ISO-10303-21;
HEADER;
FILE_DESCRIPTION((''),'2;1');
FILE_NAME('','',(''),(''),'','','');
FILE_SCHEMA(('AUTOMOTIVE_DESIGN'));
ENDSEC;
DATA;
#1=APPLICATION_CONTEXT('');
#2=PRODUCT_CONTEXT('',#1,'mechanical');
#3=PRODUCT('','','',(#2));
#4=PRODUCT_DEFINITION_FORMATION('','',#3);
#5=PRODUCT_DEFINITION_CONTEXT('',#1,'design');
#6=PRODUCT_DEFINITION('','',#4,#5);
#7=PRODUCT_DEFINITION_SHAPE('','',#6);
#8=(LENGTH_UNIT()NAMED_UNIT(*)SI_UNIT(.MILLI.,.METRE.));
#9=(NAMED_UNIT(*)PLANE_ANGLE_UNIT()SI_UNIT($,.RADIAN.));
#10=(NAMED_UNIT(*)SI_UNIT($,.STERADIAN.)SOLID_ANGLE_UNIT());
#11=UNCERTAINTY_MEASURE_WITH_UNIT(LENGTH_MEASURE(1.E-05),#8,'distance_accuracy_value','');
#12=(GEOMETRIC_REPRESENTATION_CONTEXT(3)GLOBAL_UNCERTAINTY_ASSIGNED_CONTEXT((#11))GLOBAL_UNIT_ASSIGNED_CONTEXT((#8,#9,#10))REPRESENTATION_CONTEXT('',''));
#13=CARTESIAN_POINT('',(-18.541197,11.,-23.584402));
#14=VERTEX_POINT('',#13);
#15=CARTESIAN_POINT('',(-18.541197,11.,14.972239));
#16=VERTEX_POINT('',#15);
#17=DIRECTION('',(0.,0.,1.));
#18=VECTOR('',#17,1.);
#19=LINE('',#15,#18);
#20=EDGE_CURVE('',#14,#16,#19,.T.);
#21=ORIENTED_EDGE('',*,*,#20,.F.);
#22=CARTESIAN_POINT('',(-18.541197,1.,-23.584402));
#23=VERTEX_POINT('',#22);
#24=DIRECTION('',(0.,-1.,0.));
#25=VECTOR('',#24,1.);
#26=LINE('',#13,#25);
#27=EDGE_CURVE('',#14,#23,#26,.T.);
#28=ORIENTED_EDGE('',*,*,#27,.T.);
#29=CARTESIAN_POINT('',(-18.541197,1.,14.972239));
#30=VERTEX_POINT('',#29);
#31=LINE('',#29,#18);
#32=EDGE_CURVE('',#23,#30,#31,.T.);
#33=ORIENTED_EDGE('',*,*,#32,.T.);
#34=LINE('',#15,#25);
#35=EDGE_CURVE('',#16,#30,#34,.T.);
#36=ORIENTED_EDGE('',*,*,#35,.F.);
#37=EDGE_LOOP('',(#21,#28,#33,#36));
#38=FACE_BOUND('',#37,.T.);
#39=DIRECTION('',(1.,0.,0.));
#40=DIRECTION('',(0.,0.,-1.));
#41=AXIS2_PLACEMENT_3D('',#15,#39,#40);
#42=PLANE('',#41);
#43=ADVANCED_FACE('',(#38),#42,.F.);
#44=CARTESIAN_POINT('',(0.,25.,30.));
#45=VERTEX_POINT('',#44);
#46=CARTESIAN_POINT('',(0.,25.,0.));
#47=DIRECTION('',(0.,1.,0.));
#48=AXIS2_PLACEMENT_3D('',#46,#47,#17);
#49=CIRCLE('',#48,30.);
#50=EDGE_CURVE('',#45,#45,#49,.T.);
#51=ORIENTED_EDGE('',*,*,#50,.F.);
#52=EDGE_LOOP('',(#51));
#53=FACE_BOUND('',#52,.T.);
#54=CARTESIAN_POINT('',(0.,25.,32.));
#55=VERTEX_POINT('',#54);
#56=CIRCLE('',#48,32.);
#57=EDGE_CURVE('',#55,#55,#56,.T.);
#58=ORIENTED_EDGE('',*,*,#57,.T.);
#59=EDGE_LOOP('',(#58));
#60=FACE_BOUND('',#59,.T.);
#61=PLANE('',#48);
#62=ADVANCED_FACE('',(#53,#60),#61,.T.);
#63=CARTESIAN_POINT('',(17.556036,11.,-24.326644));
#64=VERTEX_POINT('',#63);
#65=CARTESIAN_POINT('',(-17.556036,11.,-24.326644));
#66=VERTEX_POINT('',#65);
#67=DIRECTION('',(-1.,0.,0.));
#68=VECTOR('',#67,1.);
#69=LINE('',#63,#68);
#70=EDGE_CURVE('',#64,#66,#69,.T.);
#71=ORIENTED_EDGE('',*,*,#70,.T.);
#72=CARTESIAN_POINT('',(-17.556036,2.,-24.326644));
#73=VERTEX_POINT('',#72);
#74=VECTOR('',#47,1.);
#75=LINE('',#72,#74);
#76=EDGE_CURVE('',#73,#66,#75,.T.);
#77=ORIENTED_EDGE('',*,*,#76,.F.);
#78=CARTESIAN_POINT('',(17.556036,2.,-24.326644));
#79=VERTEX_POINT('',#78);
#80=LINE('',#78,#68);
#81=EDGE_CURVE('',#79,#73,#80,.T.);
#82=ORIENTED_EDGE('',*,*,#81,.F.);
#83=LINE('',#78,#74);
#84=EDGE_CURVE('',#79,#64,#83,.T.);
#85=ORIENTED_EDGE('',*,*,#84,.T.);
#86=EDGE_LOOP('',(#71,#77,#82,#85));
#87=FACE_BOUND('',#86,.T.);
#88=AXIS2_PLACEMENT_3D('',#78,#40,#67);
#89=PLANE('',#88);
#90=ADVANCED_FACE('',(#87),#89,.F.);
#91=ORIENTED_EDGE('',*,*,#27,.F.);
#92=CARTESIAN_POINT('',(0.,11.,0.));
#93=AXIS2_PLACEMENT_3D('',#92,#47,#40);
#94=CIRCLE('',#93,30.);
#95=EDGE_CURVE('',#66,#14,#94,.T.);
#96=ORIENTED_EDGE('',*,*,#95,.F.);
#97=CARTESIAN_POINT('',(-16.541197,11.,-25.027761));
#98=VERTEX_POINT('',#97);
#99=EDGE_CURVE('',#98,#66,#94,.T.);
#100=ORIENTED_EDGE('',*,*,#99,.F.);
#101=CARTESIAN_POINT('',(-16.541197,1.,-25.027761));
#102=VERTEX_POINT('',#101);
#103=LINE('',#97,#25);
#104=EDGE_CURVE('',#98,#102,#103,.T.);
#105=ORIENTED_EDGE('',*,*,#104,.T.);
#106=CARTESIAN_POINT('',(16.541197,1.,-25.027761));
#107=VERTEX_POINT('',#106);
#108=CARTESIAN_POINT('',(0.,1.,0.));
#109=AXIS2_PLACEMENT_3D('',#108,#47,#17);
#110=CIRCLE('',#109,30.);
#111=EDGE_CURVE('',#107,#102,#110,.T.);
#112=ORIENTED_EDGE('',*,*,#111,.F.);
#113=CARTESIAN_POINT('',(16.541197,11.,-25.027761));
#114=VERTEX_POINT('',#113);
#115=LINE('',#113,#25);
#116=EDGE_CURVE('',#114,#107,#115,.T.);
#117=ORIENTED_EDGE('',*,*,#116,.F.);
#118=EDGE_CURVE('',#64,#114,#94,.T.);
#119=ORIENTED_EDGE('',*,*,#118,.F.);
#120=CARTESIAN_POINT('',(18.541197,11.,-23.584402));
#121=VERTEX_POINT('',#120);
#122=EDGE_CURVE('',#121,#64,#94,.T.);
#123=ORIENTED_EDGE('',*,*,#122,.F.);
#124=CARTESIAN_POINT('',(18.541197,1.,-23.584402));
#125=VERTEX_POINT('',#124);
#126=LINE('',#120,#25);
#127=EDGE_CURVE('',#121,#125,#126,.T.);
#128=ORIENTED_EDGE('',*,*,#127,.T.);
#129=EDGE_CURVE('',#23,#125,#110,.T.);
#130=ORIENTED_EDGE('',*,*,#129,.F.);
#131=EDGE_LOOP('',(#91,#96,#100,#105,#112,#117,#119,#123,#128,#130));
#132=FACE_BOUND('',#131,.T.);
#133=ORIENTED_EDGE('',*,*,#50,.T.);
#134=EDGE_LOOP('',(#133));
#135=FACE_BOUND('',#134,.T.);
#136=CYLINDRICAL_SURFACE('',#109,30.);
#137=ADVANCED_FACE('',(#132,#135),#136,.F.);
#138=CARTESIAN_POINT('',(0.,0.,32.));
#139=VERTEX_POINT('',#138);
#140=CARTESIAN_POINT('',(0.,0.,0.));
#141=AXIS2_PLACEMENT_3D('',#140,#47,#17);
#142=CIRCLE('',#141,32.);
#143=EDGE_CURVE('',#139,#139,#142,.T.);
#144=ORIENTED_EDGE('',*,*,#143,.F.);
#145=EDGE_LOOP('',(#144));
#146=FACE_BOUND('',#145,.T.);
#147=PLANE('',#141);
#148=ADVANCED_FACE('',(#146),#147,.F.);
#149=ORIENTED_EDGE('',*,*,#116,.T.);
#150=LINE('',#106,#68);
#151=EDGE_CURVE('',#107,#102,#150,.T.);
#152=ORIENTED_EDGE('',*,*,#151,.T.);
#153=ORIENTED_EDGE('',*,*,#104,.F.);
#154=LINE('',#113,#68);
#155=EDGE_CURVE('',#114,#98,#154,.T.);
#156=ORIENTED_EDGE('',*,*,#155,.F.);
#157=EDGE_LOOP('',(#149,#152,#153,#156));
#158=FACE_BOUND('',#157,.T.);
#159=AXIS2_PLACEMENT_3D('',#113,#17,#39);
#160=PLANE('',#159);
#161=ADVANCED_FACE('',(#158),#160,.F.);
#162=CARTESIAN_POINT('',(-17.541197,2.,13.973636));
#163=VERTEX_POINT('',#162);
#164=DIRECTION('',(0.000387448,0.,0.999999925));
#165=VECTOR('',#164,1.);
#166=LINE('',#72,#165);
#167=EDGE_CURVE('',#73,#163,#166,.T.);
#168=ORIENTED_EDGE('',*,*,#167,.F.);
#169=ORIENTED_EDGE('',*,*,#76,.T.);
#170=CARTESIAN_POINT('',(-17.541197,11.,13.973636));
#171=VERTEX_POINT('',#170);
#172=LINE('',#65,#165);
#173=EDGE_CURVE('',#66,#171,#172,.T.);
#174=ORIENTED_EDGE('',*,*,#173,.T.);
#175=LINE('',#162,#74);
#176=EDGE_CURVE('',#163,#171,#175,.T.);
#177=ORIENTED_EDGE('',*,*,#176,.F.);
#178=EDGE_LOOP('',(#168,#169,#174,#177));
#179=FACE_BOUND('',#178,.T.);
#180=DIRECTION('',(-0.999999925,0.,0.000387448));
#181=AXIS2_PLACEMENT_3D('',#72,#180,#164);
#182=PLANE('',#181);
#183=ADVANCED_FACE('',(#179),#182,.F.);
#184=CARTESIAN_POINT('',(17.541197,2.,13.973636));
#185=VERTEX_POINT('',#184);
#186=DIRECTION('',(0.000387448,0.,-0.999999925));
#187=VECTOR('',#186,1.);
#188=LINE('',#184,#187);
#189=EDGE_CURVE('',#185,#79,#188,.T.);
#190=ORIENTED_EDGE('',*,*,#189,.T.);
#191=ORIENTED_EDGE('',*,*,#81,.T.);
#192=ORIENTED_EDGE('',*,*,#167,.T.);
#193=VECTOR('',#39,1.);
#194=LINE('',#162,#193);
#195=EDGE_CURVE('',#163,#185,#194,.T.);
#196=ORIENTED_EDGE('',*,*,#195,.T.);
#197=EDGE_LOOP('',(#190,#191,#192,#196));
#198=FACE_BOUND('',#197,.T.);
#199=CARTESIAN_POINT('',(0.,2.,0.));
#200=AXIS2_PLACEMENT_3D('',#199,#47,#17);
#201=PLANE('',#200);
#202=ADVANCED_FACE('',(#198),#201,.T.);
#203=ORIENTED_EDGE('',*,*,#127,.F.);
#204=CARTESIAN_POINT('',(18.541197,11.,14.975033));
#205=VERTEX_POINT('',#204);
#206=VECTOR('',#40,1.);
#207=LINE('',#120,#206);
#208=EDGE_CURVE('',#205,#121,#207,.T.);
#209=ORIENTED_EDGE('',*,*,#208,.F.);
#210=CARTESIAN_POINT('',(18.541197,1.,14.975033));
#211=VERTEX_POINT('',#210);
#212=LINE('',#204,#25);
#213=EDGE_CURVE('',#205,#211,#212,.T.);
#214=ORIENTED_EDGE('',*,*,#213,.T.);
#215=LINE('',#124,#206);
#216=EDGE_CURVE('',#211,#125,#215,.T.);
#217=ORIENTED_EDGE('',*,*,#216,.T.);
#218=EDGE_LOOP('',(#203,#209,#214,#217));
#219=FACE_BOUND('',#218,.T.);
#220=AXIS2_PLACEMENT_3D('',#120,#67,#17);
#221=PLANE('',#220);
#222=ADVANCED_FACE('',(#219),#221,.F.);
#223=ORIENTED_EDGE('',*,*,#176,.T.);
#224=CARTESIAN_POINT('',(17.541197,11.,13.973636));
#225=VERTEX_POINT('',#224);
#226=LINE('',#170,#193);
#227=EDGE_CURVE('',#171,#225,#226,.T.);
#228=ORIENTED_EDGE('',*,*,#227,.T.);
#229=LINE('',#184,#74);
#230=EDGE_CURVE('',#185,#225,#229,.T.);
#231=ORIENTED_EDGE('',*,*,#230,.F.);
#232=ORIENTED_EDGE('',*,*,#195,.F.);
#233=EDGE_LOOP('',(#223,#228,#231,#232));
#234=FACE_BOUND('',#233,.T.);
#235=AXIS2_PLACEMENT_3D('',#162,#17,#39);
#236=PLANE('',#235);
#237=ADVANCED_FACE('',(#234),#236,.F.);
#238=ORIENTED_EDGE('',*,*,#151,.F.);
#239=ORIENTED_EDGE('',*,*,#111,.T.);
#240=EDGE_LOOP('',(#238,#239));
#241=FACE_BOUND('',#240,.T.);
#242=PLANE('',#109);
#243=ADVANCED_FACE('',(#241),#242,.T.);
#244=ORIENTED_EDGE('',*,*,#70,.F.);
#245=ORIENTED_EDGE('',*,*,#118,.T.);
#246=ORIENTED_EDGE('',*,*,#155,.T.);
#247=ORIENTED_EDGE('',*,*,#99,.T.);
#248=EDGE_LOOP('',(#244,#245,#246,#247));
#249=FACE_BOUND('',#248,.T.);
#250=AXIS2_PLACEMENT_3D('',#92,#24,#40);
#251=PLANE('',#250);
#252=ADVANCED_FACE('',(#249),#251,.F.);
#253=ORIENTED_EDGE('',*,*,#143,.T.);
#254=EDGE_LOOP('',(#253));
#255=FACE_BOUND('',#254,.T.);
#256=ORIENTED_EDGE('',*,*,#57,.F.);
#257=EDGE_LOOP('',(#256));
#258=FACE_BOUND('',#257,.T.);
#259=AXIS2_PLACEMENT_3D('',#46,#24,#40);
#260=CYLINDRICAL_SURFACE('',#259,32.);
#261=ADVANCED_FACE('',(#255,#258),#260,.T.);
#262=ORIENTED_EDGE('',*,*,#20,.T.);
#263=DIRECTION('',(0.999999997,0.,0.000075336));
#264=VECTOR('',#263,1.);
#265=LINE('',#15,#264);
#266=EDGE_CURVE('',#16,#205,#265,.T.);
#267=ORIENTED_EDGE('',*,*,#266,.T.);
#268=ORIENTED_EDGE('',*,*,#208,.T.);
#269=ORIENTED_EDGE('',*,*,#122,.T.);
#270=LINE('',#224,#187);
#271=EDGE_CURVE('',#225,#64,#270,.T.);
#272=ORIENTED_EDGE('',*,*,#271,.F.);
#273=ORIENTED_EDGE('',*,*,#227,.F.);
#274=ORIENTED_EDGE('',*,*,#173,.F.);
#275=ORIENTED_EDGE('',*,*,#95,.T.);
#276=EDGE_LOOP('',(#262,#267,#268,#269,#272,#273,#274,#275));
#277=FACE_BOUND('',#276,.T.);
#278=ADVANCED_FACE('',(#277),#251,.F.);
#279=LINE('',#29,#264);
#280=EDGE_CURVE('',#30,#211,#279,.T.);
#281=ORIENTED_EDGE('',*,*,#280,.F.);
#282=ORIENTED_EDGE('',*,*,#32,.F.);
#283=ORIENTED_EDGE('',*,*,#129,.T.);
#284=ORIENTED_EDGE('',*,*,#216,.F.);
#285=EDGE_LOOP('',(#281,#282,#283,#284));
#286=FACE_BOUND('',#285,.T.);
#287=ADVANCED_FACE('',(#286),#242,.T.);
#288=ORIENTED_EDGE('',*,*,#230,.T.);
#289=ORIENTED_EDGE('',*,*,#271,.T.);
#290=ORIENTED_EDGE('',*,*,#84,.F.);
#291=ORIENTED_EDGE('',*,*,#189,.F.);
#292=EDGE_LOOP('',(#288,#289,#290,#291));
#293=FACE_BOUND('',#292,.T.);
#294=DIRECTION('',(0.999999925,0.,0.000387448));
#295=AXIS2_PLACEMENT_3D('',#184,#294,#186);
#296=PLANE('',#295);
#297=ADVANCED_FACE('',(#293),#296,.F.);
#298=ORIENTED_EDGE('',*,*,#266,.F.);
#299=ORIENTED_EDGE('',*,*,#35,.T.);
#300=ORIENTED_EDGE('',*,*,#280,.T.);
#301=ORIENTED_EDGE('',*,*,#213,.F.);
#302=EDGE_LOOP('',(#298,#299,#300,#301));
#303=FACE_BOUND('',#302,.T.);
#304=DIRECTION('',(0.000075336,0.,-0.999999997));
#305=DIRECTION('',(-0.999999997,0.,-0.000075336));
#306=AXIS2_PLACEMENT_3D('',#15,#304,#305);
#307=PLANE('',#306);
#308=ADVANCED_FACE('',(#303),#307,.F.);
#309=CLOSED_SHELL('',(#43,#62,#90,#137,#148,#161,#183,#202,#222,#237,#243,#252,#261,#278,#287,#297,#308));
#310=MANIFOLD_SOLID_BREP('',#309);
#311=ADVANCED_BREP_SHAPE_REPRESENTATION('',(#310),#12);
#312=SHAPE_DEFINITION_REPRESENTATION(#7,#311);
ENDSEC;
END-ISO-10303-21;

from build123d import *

# Parameters (mm, degrees)
SKETCH2_R           = 32
BOSS_EXTRUDE1_DEPTH = 25
SKETCH3_R           = 30
CUT_EXTRUDE1_DEPTH  = 24
BOSS_EXTRUDE2_DEPTH = 10
CUT_EXTRUDE2_DEPTH  = 9


with BuildPart() as part:
    # Sketch2 → Boss-Extrude1 (new body)
    with BuildSketch(Plane(origin=(0, 0, 0), x_dir=(1, 0, 0), z_dir=(0, 1, 0))):
        Circle(SKETCH2_R)
    extrude(amount=BOSS_EXTRUDE1_DEPTH)

    # Sketch3 → Cut-Extrude1 (cut)
    with BuildSketch(Plane(origin=(0, 25, 0), x_dir=(1, 0, 0), z_dir=(0, 1, 0))):
        Circle(SKETCH3_R)
    extrude(amount=-CUT_EXTRUDE1_DEPTH, mode=Mode.SUBTRACT)

    # Sketch4 → Boss-Extrude2 (add)
    with BuildSketch(Plane(origin=(0, 1, 0), x_dir=(1, 0, 0), z_dir=(0, 1, 0))):
        with BuildLine():
            Line((-18.541196676, -14.972239163), (18.541196676, -14.975032814))
            Line((18.541196676, -14.975032814), (18.541196676, 23.584402172))
            ThreePointArc((18.541196676, 23.584402172), (17.556036053, 24.32664379), (16.541196676, 25.027760837))
            Line((16.541196676, 25.027760837), (-16.541196676, 25.027760837))
            ThreePointArc((-16.541196676, 25.027760837), (-17.556036053, 24.32664379), (-18.541196676, 23.584402172))
            Line((-18.541196676, 23.584402172), (-18.541196676, -14.972239163))
        make_face()
    extrude(amount=BOSS_EXTRUDE2_DEPTH)

    # Sketch5 → Cut-Extrude2 (cut)
    with BuildSketch(Plane(origin=(0, 11, 0), x_dir=(1, 0, 0), z_dir=(0, 1, 0))):
        Polygon((-17.541196676, -13.973635989), (17.541196676, -13.973635989), (17.556036053, 24.32664379), (-17.556036053, 24.32664379), align=None)
    extrude(amount=-CUT_EXTRUDE2_DEPTH, mode=Mode.SUBTRACT)


solid = part.part
